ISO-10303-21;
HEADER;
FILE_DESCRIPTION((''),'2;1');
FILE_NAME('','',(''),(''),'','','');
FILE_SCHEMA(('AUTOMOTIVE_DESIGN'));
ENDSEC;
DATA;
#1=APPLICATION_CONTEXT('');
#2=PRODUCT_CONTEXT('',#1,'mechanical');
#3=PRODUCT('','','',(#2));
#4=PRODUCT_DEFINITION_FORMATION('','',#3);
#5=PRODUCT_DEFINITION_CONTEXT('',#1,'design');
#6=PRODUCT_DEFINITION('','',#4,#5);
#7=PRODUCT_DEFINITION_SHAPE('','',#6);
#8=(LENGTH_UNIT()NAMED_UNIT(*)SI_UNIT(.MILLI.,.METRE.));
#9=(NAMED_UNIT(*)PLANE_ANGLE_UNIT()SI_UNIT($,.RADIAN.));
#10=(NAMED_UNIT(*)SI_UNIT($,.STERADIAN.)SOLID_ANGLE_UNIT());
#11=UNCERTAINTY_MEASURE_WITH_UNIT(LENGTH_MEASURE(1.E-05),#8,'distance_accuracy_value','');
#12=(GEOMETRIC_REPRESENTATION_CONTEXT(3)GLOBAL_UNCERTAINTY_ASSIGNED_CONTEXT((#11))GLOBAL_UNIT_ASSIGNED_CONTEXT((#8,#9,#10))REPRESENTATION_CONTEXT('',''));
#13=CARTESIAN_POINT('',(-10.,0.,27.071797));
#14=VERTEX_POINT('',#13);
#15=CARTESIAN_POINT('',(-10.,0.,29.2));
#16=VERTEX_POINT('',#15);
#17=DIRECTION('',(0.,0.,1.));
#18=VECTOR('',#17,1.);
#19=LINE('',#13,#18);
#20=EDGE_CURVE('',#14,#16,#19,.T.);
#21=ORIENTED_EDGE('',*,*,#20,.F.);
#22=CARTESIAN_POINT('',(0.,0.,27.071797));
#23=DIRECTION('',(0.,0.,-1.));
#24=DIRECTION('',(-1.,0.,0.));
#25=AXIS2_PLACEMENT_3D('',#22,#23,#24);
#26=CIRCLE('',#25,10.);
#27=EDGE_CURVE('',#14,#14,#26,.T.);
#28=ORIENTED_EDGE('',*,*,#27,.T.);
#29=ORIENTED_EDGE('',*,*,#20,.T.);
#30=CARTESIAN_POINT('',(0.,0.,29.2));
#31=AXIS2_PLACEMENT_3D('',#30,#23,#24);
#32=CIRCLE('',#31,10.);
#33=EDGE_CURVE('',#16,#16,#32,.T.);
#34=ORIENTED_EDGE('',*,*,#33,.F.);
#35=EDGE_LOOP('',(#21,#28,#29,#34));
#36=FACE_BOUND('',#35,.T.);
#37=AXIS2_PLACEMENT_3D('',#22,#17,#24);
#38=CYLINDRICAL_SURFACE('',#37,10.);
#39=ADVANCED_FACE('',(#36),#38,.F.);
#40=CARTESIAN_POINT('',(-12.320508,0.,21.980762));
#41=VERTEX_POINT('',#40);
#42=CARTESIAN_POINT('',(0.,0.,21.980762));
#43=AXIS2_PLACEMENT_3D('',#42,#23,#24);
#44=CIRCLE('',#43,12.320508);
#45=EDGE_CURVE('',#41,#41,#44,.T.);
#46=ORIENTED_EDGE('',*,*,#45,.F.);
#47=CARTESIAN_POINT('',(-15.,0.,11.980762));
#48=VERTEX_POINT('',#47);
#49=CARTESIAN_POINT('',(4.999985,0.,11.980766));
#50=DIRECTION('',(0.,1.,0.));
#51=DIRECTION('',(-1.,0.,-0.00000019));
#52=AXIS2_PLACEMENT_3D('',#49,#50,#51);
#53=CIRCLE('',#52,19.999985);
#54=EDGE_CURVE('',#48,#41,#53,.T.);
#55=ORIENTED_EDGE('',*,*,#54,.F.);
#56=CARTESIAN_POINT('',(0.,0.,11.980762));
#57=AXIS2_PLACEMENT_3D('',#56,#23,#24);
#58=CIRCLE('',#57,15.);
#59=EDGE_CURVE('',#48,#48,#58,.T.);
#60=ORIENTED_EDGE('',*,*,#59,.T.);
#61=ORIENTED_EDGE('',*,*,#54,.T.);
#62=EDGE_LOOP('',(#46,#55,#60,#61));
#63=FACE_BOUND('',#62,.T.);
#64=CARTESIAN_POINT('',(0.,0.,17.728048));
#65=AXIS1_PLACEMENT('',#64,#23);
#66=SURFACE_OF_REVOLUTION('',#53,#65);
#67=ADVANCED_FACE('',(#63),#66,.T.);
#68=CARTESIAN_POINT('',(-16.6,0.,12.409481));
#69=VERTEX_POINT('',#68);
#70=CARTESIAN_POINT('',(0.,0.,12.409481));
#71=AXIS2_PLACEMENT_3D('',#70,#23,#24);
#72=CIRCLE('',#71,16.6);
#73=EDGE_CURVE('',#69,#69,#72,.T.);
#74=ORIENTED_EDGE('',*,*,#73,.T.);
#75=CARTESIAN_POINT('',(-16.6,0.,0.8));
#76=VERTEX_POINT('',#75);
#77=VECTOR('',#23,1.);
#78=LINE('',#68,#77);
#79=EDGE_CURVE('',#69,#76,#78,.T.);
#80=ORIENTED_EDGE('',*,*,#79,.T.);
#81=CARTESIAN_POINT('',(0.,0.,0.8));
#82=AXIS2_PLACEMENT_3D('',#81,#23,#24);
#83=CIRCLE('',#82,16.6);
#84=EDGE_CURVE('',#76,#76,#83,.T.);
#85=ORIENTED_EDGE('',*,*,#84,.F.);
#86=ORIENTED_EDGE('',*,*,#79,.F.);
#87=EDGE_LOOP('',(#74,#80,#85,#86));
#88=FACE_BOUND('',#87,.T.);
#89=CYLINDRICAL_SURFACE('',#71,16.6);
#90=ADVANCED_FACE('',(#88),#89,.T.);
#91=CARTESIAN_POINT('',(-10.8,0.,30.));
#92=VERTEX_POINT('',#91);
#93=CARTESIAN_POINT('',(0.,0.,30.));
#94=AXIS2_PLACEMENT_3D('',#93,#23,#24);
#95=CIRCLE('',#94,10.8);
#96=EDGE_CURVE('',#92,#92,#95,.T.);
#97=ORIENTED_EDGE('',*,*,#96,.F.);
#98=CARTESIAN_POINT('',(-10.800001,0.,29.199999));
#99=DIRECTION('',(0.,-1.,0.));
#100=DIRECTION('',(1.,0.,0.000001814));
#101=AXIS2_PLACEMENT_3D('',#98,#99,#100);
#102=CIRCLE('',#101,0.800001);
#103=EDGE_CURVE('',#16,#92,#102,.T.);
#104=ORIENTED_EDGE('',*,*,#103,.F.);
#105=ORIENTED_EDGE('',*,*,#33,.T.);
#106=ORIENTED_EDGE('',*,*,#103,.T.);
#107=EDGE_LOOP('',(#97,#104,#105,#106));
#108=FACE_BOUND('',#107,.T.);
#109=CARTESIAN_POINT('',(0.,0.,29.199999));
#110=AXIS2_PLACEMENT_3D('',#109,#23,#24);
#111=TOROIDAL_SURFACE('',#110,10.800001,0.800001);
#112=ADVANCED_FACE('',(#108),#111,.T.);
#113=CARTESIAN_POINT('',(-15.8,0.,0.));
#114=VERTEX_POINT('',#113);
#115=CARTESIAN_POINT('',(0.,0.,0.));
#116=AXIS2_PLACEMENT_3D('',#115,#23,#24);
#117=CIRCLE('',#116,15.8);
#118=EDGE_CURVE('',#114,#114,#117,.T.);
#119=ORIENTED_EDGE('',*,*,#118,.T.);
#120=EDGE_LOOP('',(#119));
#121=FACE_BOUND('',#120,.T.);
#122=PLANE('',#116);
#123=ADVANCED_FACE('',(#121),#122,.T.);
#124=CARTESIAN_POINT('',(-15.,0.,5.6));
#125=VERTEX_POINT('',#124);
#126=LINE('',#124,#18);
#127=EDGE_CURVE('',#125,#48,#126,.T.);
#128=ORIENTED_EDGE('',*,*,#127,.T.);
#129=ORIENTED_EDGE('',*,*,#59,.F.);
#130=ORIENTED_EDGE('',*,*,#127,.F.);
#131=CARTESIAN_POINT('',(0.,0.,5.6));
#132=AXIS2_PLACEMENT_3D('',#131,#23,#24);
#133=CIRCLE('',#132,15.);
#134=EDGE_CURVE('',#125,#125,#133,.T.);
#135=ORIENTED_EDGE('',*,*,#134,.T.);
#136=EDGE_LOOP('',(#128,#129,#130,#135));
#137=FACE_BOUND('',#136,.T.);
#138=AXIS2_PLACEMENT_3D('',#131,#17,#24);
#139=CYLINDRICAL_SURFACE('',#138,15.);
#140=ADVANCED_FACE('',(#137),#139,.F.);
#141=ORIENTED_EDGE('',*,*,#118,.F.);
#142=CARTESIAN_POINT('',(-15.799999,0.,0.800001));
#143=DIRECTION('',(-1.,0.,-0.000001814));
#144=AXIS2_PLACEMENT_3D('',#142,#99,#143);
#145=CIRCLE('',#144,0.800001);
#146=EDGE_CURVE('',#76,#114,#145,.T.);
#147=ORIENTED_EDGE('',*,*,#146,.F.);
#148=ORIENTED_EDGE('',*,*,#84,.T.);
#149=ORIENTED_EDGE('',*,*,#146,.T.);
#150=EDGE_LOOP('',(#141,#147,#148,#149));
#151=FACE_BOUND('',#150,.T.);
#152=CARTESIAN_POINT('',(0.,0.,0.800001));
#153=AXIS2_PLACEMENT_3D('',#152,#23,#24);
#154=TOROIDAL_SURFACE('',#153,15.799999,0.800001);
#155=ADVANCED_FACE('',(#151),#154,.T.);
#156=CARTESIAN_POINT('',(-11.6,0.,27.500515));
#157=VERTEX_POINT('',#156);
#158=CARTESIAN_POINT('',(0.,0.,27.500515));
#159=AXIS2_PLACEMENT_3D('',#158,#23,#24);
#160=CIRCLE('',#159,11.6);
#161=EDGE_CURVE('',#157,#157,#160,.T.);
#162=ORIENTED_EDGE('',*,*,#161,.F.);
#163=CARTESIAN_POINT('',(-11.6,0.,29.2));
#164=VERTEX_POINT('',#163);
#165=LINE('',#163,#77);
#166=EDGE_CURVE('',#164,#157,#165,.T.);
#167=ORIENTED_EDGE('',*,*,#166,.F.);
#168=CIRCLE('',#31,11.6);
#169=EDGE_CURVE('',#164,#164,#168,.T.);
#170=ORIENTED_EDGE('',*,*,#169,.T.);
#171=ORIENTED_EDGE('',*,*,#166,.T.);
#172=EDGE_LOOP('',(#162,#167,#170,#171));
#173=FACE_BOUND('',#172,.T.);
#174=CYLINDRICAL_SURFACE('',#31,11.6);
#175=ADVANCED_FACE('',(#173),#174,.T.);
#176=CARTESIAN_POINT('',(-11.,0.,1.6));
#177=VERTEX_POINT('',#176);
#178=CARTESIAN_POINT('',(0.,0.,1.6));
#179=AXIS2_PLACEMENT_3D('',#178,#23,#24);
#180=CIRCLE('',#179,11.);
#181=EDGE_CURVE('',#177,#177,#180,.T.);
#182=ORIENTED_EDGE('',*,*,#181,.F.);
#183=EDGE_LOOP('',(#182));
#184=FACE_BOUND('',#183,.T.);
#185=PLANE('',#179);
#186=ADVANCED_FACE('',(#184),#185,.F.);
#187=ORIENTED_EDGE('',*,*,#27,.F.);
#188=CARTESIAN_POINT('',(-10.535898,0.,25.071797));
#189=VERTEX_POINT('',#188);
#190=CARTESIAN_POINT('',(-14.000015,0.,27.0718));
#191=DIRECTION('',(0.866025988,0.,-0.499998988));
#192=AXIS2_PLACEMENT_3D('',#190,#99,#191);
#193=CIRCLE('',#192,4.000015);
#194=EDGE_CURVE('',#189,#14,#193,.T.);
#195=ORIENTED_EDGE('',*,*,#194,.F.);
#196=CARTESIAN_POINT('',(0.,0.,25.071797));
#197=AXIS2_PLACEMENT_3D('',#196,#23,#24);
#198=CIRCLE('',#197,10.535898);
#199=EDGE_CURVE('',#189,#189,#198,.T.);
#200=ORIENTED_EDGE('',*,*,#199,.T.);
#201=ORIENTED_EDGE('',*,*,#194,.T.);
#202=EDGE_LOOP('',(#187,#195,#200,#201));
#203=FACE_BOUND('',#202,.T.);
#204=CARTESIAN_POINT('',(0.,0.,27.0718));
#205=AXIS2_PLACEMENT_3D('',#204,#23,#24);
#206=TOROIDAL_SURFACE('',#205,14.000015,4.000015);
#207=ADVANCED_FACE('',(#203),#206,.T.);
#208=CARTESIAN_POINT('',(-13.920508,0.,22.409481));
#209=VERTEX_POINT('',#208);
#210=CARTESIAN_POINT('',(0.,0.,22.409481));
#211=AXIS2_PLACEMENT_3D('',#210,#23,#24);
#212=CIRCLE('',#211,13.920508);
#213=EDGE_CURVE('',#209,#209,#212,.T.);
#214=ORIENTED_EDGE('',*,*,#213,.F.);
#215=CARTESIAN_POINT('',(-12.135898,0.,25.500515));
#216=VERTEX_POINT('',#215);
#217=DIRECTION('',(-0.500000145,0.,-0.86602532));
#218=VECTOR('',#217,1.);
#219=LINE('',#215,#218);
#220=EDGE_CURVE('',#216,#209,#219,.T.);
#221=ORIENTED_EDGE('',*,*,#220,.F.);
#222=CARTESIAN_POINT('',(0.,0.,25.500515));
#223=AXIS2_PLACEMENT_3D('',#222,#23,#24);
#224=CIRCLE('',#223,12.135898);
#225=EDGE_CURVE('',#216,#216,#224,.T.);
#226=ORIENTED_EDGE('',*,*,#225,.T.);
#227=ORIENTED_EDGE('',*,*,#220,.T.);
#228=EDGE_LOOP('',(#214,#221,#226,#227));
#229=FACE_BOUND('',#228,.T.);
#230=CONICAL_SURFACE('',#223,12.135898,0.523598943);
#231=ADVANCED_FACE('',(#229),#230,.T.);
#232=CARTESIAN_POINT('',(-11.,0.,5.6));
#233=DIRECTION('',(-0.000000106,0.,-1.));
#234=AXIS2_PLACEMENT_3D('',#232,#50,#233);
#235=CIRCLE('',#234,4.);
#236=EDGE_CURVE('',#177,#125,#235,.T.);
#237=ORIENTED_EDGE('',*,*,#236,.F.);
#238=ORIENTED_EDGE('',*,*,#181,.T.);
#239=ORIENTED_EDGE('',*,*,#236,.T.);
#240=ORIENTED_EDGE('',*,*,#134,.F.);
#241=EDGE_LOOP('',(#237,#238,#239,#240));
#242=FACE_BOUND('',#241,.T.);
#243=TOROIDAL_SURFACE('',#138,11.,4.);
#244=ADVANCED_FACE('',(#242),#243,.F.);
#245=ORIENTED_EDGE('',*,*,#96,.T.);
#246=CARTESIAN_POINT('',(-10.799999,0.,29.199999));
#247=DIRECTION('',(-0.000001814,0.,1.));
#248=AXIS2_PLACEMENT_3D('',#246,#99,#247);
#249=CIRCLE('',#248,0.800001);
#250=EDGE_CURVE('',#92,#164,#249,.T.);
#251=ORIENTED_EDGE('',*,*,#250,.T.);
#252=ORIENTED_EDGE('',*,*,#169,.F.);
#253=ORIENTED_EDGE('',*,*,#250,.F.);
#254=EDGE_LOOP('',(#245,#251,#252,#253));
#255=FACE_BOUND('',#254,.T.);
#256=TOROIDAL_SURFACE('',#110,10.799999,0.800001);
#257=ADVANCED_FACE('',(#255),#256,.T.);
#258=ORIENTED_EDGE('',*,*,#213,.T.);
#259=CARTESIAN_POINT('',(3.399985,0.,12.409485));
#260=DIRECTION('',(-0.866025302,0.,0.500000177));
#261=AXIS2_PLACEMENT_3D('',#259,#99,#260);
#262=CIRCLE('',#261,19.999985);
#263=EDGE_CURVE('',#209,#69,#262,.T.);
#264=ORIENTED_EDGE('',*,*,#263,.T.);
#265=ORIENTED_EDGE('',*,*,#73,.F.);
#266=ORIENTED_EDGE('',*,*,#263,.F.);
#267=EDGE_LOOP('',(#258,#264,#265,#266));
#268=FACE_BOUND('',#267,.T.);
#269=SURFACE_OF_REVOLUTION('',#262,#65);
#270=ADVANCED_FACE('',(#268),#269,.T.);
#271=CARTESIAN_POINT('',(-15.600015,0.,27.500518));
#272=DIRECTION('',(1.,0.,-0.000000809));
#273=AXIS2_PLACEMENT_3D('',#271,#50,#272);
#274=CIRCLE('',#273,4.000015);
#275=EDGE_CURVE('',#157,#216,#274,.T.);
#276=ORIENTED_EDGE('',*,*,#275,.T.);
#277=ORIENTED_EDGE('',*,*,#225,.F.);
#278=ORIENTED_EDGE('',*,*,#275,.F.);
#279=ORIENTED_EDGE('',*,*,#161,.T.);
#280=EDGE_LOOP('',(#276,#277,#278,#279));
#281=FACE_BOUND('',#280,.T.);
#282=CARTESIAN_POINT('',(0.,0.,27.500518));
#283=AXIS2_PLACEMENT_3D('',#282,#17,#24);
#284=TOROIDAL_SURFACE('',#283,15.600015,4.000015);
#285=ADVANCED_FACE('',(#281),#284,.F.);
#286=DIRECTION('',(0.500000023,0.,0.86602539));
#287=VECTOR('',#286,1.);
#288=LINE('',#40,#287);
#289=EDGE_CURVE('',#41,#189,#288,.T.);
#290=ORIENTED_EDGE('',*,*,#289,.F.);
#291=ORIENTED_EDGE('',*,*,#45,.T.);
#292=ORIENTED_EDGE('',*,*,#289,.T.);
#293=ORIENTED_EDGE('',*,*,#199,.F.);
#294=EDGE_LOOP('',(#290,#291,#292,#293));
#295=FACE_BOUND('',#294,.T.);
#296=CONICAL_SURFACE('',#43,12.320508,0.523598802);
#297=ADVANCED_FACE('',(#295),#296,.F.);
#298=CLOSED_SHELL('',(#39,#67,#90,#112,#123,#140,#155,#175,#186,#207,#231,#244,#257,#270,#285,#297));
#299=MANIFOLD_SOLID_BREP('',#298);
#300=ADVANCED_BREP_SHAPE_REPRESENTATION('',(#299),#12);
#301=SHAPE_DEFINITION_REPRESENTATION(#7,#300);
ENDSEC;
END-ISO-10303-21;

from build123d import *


with BuildPart() as f1:
    # F0 (on Front) → F1 (revolve)
    with BuildSketch(Plane.XZ):
        with BuildLine():
            Line((-15.8, 0), (0, 0))
            Line((0, 0), (0, 1.6))
            Line((0, 1.6), (-11, 1.6))
            ThreePointArc((-11, 1.6), (-13.828427, 2.771573), (-15, 5.6))
            Line((-15, 5.6), (-15, 11.980762))
            ThreePointArc((-15, 11.980762), (-14.318517, 17.157143), (-12.320508, 21.980762))
            Line((-12.320508, 21.980762), (-10.535898, 25.071797))
            ThreePointArc((-10.535898, 25.071797), (-10.136297, 26.036521), (-10, 27.071797))
            Line((-10, 27.071797), (-10, 29.2))
            ThreePointArc((-10, 29.2), (-10.234315, 29.765685), (-10.8, 30))
            ThreePointArc((-10.8, 30), (-11.365685, 29.765685), (-11.6, 29.2))
            Line((-11.6, 29.2), (-11.6, 27.500515))
            ThreePointArc((-11.6, 27.500515), (-11.736297, 26.465239), (-12.135898, 25.500515))
            Line((-12.135898, 25.500515), (-13.920508, 22.409481))
            ThreePointArc((-13.920508, 22.409481), (-15.918517, 17.585862), (-16.6, 12.409481))
            Line((-16.6, 12.409481), (-16.6, 0.8))
            ThreePointArc((-16.6, 0.8), (-16.365685, 0.234315), (-15.8, 0))
        make_face()
    revolve(axis=Axis((0, 0, 17.728048), (0, 0, -1)))


solid = f1.part
